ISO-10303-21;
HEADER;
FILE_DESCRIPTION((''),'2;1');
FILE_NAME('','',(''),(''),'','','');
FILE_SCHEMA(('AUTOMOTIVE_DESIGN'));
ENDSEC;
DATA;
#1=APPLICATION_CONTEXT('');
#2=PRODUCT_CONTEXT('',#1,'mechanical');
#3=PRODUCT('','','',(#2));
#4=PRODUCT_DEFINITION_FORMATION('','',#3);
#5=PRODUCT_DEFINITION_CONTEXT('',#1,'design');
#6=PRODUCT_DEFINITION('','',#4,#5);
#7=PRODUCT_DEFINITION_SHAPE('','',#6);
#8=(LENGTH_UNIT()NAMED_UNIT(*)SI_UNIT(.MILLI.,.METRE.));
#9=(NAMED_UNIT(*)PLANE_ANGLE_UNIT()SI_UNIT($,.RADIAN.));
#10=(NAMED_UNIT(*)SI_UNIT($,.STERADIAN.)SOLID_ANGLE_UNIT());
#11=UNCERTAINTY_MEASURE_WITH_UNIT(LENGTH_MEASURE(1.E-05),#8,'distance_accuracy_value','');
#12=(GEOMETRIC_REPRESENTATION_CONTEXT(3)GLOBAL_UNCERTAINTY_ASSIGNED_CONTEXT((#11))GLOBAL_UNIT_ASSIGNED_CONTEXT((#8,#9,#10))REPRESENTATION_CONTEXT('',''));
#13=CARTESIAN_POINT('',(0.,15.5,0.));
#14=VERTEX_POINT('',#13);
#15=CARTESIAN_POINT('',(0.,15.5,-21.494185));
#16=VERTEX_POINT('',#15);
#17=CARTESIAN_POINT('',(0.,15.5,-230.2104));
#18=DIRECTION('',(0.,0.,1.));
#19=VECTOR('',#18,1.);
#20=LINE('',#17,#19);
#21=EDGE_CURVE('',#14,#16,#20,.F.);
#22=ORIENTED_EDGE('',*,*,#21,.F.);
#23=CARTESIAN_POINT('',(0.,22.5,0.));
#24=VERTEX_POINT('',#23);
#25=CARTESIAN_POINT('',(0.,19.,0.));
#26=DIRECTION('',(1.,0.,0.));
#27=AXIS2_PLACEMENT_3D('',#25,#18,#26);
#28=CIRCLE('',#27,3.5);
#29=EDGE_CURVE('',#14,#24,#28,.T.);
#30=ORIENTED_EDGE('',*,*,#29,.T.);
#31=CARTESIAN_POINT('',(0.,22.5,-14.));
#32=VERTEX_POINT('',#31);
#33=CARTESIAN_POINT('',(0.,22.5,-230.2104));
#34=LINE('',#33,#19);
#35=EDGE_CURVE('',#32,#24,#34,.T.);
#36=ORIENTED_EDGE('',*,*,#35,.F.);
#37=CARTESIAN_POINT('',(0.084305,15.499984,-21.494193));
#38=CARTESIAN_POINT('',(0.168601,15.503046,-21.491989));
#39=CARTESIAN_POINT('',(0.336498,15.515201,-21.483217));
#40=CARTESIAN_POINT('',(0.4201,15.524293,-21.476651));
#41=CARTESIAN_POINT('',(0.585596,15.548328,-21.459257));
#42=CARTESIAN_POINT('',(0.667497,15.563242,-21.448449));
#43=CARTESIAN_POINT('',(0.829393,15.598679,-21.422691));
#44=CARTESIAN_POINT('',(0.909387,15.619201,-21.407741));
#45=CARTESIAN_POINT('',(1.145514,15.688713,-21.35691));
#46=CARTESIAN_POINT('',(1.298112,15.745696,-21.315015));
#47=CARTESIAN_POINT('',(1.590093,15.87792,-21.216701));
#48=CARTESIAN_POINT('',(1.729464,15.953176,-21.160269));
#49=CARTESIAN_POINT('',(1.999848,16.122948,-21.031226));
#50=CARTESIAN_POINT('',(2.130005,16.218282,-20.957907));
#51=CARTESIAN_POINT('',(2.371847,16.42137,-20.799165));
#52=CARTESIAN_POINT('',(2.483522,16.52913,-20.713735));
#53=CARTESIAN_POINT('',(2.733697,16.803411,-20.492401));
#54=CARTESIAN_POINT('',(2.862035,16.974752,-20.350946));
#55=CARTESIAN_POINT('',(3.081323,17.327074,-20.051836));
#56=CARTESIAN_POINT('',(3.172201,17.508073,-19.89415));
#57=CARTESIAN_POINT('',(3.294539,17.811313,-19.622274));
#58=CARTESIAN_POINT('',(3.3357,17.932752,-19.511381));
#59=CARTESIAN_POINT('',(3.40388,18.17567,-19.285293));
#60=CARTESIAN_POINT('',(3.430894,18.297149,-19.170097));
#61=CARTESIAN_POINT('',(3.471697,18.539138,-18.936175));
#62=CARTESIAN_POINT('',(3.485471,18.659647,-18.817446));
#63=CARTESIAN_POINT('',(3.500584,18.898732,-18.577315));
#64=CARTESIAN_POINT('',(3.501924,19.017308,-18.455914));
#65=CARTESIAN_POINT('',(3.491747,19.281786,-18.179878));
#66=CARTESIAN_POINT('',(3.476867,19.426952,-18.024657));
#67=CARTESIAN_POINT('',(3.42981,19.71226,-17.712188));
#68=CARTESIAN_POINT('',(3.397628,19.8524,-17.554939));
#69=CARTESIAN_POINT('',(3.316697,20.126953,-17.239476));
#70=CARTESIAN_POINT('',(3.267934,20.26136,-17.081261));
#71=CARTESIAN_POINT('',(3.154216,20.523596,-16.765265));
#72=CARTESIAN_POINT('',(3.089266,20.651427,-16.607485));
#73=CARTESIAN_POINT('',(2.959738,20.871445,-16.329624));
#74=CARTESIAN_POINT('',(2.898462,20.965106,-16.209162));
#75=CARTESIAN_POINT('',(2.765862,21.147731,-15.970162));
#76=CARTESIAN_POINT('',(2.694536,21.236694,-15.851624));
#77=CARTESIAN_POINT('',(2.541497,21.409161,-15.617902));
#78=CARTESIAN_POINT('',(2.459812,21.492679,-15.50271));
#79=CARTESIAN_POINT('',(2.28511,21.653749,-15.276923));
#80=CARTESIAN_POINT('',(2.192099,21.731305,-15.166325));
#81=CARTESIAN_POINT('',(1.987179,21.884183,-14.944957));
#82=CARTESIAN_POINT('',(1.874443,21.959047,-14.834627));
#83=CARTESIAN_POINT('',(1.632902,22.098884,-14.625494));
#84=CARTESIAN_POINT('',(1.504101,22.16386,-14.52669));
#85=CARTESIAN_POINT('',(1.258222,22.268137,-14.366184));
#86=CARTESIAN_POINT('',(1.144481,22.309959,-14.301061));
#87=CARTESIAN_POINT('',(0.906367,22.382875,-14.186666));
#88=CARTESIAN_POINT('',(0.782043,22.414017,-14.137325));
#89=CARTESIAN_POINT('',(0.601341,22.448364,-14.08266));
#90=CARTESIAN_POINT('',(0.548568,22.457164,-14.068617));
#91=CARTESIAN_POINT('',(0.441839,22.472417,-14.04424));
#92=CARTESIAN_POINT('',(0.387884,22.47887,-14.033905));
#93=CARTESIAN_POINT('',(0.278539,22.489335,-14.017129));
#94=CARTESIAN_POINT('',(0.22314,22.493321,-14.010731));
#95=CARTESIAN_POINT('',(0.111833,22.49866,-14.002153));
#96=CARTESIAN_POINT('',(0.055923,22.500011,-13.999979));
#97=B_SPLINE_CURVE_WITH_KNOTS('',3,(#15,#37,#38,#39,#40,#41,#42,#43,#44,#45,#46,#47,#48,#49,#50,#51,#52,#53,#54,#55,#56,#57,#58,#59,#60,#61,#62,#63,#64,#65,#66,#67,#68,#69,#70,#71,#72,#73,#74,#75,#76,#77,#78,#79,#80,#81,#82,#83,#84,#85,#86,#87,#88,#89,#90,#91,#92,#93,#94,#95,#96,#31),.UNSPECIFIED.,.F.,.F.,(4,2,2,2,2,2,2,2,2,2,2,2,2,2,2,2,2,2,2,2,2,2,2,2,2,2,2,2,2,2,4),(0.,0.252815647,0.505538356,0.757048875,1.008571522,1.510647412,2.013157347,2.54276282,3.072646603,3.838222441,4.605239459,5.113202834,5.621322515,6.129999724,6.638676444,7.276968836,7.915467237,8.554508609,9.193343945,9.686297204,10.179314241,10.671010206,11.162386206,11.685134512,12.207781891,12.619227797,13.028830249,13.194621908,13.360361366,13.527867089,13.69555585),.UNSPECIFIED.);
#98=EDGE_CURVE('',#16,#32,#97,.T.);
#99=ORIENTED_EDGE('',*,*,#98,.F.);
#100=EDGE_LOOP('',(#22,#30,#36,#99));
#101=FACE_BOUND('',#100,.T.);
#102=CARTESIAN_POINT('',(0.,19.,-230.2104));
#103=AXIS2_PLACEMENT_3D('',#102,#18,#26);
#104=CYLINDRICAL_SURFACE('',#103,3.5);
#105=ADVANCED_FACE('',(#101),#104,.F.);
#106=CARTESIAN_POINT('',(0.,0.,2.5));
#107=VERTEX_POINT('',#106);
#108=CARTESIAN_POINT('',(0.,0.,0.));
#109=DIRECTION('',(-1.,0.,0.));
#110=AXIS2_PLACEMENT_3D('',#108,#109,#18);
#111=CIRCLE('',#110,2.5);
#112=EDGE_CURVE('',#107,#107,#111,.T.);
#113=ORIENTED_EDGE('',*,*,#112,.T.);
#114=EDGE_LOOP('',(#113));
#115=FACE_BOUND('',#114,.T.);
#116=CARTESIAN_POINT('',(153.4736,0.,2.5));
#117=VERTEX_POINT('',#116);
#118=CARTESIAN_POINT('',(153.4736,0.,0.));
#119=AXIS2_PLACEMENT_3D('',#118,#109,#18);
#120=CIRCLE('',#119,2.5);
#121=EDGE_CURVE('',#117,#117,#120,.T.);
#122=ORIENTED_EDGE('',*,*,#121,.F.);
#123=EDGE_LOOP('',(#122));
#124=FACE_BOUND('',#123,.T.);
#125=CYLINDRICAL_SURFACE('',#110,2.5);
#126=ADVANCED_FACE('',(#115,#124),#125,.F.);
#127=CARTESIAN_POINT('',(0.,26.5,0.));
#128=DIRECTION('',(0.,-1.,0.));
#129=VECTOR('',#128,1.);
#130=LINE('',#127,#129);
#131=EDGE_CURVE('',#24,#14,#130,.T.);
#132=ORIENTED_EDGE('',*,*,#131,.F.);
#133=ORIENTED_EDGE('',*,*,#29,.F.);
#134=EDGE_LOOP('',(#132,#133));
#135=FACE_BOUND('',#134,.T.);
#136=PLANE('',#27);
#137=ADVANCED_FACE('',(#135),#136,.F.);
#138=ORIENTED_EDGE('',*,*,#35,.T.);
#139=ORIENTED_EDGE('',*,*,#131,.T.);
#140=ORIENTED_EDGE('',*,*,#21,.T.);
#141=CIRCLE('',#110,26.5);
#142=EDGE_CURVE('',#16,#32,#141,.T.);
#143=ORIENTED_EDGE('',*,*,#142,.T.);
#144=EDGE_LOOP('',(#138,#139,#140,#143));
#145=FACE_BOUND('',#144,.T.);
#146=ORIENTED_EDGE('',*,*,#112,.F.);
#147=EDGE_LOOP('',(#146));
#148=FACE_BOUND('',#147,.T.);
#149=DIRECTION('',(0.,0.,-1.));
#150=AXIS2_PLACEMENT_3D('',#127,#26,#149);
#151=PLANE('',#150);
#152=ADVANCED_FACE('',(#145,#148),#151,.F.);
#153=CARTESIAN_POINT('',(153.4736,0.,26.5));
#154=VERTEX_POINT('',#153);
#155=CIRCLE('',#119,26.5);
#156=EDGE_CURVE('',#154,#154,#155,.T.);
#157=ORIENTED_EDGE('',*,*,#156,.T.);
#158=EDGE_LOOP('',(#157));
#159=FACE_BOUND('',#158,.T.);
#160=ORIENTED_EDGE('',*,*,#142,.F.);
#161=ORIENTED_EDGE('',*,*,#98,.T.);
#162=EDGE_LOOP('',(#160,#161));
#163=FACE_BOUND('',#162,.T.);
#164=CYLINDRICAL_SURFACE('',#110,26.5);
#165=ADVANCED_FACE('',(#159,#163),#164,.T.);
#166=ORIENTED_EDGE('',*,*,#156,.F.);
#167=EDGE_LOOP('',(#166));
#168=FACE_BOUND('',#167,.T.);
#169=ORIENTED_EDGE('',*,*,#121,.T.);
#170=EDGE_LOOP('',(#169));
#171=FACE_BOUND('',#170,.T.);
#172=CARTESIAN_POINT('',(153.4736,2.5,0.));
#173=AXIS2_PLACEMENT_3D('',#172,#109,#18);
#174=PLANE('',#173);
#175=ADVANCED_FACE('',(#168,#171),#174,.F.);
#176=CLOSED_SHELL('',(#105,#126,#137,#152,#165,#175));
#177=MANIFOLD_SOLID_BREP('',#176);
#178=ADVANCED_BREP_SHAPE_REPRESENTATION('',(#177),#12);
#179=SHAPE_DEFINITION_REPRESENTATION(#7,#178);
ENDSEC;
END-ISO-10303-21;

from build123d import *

# Parameters (mm, degrees)
SKETCH_1_W          = 153.4736
SKETCH_1_H          = 24
SKETCH_2_R          = 3.5
CUT_EXTRUDE_1_DEPTH = 230.2104


with BuildPart() as part:
    # 草图1 → 旋转1 (revolve)
    with BuildSketch(Plane.XY, mode=Mode.PRIVATE) as revolve_1_sk:
        with Locations((76.7368, 14.5)):
            Rectangle(SKETCH_1_W, SKETCH_1_H)
    revolve(revolve_1_sk.sketch.rotate(Axis((0, 0, 0), (1, 0, 0)), 90), axis=Axis((0, 0, 0), (1, 0, 0)))

    # 草图2 → 切除-拉伸1 (cut)
    with BuildSketch(Plane.XY):
        with Locations((0, 19)):
            Circle(SKETCH_2_R)
    extrude(amount=-CUT_EXTRUDE_1_DEPTH, mode=Mode.SUBTRACT)


solid = part.part
